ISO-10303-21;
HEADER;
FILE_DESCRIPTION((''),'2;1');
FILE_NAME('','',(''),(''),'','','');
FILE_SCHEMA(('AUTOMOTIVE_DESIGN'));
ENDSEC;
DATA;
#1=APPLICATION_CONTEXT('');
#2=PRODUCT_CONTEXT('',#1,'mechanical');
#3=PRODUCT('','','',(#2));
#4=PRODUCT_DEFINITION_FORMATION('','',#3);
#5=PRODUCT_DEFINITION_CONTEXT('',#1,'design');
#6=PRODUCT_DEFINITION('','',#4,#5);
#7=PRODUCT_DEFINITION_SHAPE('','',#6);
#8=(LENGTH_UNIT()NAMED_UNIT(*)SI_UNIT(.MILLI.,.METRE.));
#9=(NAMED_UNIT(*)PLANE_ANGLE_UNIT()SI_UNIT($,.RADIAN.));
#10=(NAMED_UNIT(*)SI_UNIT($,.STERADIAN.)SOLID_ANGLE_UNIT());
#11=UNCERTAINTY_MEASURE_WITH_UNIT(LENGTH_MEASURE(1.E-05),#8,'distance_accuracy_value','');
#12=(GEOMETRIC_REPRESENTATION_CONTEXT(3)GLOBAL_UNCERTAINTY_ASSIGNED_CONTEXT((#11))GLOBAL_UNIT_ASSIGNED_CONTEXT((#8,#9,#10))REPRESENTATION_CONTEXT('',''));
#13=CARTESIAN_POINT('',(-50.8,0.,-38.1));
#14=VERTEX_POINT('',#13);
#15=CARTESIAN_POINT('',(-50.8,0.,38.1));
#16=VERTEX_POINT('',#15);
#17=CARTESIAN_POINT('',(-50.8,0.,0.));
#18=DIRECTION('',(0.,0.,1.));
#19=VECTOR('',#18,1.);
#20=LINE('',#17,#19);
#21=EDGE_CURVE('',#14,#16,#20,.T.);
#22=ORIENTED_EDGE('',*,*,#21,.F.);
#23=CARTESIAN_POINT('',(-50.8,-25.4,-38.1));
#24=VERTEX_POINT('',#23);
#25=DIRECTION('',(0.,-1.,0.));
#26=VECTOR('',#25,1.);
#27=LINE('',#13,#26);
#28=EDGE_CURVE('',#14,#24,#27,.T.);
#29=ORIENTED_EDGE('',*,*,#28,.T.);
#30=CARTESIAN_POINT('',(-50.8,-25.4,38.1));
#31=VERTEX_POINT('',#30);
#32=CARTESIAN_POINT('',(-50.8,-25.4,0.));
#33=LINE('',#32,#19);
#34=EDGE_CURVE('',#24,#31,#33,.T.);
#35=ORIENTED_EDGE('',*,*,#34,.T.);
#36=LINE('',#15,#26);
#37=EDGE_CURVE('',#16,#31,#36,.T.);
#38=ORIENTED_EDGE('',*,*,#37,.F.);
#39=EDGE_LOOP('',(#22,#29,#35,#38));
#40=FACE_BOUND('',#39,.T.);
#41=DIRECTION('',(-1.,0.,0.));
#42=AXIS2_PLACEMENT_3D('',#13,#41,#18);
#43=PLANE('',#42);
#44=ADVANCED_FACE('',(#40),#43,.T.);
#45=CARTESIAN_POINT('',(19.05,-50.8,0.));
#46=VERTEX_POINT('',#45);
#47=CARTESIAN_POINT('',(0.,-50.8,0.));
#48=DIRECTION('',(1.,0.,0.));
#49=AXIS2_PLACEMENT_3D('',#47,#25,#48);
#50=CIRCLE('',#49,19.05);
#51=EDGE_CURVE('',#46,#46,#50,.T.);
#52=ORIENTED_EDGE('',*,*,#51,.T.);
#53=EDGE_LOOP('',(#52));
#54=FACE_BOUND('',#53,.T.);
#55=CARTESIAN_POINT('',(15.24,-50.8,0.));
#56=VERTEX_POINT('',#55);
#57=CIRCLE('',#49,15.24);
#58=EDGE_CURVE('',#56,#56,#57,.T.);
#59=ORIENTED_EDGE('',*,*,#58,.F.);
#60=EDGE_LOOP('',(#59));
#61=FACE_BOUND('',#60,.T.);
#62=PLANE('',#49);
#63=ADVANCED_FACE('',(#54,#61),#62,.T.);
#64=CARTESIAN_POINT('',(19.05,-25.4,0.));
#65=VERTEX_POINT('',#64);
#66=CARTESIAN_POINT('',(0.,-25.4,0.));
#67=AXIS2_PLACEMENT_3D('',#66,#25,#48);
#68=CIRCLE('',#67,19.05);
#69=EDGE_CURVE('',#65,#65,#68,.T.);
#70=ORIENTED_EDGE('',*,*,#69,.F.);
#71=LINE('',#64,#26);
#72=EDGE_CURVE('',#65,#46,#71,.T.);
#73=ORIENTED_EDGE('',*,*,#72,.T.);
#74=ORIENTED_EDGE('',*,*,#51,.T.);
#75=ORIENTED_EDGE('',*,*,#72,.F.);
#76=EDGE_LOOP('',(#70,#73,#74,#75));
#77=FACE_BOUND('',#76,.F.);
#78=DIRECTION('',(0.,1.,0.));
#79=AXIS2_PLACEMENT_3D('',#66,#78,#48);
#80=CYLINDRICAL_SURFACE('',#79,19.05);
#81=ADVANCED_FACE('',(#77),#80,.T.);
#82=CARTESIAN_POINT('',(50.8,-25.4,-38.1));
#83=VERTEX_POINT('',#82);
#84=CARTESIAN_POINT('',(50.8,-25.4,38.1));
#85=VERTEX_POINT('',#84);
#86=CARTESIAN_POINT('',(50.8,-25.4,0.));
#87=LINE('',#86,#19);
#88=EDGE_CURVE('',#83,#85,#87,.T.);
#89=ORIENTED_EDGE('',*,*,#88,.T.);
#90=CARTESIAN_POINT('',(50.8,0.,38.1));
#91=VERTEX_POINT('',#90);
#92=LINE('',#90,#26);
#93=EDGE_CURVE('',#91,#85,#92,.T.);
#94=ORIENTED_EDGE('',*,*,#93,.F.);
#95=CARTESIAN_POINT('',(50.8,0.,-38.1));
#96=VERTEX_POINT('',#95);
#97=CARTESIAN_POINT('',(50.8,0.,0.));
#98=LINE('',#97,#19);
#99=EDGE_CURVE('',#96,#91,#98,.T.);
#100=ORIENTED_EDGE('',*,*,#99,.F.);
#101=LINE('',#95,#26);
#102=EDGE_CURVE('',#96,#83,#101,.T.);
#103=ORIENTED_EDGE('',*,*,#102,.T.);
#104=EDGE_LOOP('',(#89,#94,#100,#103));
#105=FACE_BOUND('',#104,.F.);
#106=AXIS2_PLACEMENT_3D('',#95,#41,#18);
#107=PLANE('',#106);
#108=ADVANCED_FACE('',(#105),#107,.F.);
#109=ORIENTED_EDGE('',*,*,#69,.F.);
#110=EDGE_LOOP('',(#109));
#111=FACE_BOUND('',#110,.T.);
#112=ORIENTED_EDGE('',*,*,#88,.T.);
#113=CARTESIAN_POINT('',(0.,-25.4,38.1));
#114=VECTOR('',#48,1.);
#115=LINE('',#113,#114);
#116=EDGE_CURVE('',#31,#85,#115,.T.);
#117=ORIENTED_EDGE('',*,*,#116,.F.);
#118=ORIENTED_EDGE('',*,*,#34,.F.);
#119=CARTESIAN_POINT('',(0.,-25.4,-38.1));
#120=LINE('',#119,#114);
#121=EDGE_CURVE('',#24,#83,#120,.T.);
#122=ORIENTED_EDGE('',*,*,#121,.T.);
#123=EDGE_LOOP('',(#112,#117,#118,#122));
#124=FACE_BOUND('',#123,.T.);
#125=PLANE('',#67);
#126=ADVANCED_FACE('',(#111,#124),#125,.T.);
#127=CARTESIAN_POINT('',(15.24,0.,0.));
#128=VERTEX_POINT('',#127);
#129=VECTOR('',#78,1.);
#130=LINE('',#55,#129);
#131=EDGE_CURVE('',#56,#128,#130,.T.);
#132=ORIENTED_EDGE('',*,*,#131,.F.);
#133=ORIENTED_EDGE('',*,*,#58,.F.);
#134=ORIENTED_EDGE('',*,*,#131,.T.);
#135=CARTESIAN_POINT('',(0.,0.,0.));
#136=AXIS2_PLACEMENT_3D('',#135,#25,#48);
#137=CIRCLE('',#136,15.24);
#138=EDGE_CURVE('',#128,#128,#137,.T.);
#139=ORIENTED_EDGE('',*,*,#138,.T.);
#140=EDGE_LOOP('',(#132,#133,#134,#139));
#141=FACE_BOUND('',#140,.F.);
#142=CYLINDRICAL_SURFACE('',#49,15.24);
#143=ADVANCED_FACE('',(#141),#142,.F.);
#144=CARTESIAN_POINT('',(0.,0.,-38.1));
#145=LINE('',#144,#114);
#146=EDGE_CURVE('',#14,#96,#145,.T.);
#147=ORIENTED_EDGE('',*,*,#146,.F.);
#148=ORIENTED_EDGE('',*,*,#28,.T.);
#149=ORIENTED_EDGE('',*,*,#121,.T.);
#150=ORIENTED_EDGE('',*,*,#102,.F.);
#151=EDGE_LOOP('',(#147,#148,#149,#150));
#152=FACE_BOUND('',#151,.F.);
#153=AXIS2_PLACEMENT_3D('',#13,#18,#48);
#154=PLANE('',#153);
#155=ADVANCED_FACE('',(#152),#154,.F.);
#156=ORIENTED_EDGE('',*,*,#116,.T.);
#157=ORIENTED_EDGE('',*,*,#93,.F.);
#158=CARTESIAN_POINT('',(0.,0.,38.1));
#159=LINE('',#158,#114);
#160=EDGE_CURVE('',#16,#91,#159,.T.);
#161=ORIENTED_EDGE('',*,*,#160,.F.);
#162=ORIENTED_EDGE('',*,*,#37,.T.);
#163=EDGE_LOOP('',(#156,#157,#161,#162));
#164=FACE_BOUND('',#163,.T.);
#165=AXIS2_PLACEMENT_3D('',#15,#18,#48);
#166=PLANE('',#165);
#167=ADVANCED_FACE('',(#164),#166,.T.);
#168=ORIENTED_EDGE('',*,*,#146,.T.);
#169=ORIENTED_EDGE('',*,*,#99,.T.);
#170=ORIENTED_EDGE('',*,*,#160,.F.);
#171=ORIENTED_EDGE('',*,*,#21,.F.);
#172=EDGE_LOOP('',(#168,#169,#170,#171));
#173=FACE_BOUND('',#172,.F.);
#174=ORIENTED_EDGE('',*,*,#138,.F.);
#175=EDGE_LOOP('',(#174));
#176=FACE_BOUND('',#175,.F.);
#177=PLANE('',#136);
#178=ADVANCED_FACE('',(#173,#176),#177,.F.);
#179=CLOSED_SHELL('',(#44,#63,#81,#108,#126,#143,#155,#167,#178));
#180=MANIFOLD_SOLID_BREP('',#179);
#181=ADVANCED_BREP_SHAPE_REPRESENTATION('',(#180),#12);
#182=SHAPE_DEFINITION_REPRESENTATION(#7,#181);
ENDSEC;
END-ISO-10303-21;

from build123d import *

# Parameters (mm, degrees)
F0_W     = 101.6
F0_H     = 76.2
F1_DEPTH = 25.4
F2_R     = 19.05
F3_DEPTH = 25.4
F4_R     = 15.24
F5_DEPTH = 76.2


with BuildPart() as f1:
    # F0 (on Front) → F1 (new body)
    with BuildSketch(Plane.XZ):
        Rectangle(F0_W, F0_H)
    extrude(amount=F1_DEPTH)

    # F2 (on face) → F3 (join)
    with BuildSketch(Plane.XZ.offset(25.4)):
        Circle(F2_R)
    extrude(amount=F3_DEPTH)

    # F4 (on face) → F5 (cut)
    with BuildSketch(Plane.XZ.offset(50.8)):
        Circle(F4_R)
    extrude(amount=-F5_DEPTH, mode=Mode.SUBTRACT)


solid = f1.part
